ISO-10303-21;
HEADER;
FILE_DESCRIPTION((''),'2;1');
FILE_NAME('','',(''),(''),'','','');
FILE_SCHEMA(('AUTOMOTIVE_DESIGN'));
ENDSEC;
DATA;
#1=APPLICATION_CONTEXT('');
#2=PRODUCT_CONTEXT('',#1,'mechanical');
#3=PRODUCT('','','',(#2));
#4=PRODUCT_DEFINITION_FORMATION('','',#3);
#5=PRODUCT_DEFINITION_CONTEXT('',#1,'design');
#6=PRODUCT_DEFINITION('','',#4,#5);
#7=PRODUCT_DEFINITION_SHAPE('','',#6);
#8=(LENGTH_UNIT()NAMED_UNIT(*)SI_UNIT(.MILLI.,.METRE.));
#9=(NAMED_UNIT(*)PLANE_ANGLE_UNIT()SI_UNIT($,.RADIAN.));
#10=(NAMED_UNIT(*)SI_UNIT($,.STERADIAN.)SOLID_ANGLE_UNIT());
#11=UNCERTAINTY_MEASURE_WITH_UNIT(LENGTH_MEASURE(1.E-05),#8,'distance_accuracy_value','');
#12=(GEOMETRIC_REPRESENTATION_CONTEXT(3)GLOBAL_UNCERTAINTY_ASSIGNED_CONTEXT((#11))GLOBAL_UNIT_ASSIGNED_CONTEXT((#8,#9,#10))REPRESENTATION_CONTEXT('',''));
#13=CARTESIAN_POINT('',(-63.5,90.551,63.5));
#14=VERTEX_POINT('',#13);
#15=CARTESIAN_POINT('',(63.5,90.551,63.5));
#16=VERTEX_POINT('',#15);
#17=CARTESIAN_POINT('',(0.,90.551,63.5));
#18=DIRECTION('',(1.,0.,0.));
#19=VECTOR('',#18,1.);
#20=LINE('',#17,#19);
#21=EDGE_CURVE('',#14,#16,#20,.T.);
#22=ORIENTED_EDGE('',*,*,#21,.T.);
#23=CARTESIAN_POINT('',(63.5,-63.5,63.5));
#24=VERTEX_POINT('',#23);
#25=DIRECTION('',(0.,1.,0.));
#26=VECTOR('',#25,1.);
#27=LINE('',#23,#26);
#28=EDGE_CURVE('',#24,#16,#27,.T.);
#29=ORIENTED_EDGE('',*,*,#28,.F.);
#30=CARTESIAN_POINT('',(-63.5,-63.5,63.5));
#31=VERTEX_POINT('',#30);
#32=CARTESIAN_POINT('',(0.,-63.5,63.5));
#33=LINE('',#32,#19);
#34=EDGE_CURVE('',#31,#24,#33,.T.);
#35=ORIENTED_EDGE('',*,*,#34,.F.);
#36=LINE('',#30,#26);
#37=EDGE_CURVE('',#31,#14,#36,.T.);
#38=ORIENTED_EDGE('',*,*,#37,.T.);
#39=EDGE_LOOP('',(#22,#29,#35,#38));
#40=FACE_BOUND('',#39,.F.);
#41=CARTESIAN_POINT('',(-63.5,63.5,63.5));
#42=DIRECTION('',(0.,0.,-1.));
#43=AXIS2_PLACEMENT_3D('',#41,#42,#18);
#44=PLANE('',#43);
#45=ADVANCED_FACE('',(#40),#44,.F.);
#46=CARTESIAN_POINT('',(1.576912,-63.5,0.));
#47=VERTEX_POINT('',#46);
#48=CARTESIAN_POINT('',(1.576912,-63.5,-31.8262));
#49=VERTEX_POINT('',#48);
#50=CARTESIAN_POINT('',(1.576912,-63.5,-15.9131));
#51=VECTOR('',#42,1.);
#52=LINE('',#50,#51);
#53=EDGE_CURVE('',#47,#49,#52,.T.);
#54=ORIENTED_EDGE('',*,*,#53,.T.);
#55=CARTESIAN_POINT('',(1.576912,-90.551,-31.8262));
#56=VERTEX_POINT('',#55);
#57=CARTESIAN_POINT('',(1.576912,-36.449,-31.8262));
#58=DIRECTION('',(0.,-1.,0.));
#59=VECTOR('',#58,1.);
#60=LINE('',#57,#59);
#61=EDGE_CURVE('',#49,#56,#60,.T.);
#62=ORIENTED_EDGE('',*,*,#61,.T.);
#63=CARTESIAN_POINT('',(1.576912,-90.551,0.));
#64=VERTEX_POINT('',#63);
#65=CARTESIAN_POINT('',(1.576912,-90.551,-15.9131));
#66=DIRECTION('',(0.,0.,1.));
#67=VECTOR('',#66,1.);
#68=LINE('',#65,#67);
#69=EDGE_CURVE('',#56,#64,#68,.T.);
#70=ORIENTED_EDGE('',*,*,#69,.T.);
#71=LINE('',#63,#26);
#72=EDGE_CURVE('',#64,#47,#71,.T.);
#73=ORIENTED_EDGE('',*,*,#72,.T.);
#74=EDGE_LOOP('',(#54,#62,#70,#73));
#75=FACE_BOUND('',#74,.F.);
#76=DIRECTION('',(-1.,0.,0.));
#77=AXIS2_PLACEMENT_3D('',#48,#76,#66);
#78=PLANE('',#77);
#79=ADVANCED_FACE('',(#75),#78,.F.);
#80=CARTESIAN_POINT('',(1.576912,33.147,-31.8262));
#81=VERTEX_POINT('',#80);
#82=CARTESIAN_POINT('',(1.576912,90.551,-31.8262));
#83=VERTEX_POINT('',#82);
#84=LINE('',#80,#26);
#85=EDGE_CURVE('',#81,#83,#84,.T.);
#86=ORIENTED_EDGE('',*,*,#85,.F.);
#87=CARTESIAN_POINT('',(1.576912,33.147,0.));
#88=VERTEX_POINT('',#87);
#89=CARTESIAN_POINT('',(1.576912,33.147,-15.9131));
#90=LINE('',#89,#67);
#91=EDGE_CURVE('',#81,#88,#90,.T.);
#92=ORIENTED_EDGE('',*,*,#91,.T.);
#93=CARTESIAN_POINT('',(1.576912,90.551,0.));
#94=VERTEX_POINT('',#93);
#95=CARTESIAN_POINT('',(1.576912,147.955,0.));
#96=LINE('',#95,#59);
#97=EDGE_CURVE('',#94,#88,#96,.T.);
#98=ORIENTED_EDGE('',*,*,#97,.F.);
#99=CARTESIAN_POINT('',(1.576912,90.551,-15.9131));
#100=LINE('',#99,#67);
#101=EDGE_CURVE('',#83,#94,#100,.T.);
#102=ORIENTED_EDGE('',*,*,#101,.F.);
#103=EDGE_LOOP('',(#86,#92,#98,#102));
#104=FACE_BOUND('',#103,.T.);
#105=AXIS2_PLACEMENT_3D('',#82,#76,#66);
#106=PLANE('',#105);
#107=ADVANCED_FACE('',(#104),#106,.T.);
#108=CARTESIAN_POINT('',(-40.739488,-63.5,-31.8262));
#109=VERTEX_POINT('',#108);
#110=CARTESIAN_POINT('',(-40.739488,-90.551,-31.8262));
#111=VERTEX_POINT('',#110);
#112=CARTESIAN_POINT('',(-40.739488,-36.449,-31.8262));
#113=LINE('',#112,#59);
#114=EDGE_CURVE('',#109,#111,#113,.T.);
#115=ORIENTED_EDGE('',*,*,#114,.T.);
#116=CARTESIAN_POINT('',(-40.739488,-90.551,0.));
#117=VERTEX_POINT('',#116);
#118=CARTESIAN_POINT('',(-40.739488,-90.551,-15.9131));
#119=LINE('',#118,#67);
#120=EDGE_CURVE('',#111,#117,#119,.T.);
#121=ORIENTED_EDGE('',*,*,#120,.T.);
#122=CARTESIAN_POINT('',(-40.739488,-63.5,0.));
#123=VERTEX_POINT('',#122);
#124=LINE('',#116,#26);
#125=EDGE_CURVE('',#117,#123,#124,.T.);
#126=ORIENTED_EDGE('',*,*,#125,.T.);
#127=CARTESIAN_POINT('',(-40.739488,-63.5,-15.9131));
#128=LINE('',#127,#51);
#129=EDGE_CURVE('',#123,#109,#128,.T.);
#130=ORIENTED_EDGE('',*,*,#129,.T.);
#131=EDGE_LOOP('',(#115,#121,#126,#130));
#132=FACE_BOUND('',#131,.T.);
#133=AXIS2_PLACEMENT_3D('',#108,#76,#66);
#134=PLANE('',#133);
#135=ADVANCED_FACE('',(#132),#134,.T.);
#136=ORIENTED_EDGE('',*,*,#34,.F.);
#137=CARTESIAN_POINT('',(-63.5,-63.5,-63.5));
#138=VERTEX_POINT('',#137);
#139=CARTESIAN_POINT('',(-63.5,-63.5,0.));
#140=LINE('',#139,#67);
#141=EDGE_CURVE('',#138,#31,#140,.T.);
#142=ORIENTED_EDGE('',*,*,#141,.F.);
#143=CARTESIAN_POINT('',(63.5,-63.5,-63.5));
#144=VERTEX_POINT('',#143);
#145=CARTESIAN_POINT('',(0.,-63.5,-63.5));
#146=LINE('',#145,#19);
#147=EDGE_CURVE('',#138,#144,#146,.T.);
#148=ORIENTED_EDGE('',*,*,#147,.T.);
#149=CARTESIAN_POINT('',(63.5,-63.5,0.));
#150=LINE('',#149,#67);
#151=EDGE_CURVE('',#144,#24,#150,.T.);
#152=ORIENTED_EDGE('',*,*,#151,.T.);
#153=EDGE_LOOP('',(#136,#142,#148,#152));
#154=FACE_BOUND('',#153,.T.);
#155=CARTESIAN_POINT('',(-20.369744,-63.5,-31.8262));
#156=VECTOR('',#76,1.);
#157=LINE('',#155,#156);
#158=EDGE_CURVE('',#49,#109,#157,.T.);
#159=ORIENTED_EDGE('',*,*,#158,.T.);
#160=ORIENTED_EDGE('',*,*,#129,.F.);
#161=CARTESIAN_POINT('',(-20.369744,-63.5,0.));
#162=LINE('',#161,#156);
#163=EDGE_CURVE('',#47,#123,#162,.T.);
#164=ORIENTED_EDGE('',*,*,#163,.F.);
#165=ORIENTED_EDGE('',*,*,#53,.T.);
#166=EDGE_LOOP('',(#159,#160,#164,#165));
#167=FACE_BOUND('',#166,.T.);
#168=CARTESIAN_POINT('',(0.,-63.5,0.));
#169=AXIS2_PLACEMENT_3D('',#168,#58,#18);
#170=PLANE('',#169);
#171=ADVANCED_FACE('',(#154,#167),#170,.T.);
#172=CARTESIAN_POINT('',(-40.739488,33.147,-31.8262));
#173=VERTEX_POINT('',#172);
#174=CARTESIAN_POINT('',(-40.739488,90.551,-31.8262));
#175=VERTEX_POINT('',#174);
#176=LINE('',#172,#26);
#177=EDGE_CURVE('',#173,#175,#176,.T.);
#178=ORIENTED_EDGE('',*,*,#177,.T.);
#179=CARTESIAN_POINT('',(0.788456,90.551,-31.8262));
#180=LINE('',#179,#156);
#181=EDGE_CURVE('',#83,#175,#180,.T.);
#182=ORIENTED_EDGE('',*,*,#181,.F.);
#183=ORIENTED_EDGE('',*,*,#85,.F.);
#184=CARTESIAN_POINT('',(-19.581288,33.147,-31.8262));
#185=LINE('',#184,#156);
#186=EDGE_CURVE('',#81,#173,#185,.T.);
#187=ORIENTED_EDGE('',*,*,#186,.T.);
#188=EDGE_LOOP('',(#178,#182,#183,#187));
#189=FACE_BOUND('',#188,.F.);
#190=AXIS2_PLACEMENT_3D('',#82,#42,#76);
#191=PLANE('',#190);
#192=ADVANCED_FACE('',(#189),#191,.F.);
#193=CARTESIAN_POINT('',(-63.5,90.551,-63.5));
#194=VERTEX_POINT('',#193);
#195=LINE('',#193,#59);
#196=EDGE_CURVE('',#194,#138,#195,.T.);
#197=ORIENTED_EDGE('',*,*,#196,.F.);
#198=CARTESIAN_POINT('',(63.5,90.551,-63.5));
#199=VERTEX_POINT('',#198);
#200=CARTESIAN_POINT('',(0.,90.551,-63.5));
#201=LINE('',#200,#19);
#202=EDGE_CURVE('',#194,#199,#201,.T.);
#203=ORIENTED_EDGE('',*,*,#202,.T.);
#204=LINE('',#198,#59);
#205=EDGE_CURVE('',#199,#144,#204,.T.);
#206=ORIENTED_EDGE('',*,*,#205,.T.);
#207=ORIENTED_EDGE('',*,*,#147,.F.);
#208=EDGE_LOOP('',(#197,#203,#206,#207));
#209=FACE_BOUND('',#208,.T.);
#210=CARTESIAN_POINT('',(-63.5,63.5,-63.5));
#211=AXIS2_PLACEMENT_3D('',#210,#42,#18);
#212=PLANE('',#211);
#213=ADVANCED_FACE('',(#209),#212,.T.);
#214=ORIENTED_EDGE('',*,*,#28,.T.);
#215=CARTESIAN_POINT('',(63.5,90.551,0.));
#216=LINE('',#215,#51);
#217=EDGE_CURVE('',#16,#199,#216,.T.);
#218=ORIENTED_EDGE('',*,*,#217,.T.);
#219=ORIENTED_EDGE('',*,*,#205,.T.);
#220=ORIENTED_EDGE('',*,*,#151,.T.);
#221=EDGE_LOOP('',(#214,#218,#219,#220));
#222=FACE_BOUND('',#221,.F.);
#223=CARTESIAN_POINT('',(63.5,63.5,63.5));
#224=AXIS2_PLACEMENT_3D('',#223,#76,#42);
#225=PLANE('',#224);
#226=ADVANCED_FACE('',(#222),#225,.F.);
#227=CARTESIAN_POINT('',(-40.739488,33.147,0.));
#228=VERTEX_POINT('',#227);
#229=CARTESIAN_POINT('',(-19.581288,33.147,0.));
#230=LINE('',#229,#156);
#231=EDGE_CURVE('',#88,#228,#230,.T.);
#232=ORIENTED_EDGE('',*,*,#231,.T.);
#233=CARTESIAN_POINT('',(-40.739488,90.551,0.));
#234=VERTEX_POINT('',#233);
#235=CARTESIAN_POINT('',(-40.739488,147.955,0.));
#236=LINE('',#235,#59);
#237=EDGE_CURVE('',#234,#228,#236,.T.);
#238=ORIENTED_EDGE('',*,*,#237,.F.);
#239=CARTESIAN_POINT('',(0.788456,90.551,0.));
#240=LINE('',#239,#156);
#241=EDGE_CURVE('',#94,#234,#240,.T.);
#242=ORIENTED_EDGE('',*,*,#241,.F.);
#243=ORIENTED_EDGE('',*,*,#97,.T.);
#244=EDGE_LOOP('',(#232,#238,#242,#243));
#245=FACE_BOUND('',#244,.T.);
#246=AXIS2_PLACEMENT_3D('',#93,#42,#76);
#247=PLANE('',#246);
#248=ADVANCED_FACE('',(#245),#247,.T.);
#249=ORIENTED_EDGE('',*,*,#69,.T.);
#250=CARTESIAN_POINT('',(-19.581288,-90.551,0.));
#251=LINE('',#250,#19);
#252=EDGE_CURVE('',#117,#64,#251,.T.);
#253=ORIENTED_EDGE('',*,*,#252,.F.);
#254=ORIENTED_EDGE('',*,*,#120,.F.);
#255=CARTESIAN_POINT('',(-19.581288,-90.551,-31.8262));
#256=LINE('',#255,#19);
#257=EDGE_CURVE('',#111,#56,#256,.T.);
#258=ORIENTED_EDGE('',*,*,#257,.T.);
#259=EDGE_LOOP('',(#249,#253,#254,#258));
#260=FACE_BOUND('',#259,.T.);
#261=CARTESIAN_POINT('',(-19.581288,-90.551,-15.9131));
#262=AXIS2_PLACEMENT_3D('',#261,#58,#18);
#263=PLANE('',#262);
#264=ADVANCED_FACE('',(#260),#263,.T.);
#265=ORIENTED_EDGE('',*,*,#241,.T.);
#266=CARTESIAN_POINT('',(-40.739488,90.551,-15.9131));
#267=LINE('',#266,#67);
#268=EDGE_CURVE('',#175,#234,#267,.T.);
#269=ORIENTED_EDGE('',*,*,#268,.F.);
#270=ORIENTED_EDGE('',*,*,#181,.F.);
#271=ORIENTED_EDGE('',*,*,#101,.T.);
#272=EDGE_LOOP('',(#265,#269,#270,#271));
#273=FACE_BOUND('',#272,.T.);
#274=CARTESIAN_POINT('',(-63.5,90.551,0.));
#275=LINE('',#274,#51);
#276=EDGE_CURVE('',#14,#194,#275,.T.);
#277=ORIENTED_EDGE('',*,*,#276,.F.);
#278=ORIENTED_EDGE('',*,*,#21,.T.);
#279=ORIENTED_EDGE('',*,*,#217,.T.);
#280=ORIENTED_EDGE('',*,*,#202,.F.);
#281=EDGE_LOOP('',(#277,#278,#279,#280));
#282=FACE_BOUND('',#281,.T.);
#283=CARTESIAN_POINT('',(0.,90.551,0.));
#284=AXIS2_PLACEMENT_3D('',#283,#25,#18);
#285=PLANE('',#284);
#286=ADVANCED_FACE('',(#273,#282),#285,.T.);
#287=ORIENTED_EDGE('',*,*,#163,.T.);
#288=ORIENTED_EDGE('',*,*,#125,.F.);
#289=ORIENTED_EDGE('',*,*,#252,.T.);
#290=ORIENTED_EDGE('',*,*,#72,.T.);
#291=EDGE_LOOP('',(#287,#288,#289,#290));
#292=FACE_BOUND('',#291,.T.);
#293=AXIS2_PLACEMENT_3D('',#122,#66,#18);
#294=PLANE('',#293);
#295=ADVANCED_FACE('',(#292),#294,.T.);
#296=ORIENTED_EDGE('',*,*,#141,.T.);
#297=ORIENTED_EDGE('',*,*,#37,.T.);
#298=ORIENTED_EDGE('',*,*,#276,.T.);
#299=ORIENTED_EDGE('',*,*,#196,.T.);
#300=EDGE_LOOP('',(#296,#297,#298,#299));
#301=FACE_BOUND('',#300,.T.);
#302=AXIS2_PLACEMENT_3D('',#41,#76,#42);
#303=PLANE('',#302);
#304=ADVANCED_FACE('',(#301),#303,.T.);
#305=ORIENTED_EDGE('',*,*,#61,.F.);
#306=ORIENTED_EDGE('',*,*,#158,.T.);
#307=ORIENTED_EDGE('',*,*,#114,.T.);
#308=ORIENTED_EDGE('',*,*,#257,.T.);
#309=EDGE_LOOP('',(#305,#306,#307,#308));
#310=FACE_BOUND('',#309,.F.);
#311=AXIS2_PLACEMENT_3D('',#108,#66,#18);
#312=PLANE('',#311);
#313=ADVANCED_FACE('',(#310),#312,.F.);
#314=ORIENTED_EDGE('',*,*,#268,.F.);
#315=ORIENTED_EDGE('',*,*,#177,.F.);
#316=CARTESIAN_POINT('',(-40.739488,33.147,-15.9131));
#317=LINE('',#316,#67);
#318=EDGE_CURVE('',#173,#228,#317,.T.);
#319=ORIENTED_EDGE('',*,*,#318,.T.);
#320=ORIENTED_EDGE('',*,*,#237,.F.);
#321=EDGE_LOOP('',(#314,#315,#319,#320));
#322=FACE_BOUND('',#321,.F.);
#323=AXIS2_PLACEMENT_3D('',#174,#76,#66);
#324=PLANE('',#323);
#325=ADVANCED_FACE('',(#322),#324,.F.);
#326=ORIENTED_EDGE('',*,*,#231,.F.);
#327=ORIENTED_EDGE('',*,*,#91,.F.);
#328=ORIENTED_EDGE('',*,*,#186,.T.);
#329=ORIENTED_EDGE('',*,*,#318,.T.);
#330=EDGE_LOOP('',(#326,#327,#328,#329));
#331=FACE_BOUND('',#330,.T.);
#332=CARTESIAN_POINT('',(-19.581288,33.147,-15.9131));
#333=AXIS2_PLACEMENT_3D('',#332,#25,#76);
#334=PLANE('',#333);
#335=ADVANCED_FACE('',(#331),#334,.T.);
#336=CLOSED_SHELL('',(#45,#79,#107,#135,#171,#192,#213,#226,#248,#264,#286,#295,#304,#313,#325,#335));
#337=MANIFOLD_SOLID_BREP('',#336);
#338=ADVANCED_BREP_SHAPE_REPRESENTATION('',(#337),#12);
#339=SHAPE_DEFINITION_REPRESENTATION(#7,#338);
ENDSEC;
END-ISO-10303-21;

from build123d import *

# Parameters (mm, degrees)
F0_W       = 127
F0_H       = 127
F1_DEPTH   = 63.5
F2_W       = 42.3164
F2_H       = 31.8262
F3_DEPTH   = 25.4
F1_FACE1_W = 127
F1_FACE1_H = 127
F4_DEPTH   = 27.051
F5_W       = 42.3164
F5_H       = 31.8262
F6_DEPTH   = 57.404


with BuildPart() as f1:
    # F0 (on Front) → F1 (new body, symmetric)
    with BuildSketch(Plane.XZ):
        Rectangle(F0_W, F0_H)
    extrude(amount=F1_DEPTH, both=True)

    # F2 (on face) → F3 (cut)
    with BuildSketch(Plane.XZ.offset(63.5)):
        with Locations((-19.5812878566, -15.9131)):
            Rectangle(F2_W, F2_H)
    extrude(amount=F3_DEPTH, mode=Mode.SUBTRACT)

    # F2 (on face) + F1_face1 (on face) → F4 (join, symmetric)
    with BuildSketch(Plane.XZ.offset(63.5)):
        with Locations((-19.5812878566, -15.9131)):
            Rectangle(F2_W, F2_H)
    with BuildSketch(Plane(origin=(0, 63.5, 0), x_dir=(1, 0, 0), z_dir=(0, 1, 0))):
        Rectangle(F1_FACE1_W, F1_FACE1_H)
    extrude(amount=F4_DEPTH, both=True, dir=(0, -1, 0))

    # F5 (on face) → F6 (cut, symmetric)
    with BuildSketch(Plane(origin=(0, 90.551, 0), x_dir=(-1, 0, 0), z_dir=(0, 1, 0))):
        with Locations((19.5812878566, -15.9131)):
            Rectangle(F5_W, F5_H)
    extrude(amount=F6_DEPTH, both=True, mode=Mode.SUBTRACT)


solid = f1.part
